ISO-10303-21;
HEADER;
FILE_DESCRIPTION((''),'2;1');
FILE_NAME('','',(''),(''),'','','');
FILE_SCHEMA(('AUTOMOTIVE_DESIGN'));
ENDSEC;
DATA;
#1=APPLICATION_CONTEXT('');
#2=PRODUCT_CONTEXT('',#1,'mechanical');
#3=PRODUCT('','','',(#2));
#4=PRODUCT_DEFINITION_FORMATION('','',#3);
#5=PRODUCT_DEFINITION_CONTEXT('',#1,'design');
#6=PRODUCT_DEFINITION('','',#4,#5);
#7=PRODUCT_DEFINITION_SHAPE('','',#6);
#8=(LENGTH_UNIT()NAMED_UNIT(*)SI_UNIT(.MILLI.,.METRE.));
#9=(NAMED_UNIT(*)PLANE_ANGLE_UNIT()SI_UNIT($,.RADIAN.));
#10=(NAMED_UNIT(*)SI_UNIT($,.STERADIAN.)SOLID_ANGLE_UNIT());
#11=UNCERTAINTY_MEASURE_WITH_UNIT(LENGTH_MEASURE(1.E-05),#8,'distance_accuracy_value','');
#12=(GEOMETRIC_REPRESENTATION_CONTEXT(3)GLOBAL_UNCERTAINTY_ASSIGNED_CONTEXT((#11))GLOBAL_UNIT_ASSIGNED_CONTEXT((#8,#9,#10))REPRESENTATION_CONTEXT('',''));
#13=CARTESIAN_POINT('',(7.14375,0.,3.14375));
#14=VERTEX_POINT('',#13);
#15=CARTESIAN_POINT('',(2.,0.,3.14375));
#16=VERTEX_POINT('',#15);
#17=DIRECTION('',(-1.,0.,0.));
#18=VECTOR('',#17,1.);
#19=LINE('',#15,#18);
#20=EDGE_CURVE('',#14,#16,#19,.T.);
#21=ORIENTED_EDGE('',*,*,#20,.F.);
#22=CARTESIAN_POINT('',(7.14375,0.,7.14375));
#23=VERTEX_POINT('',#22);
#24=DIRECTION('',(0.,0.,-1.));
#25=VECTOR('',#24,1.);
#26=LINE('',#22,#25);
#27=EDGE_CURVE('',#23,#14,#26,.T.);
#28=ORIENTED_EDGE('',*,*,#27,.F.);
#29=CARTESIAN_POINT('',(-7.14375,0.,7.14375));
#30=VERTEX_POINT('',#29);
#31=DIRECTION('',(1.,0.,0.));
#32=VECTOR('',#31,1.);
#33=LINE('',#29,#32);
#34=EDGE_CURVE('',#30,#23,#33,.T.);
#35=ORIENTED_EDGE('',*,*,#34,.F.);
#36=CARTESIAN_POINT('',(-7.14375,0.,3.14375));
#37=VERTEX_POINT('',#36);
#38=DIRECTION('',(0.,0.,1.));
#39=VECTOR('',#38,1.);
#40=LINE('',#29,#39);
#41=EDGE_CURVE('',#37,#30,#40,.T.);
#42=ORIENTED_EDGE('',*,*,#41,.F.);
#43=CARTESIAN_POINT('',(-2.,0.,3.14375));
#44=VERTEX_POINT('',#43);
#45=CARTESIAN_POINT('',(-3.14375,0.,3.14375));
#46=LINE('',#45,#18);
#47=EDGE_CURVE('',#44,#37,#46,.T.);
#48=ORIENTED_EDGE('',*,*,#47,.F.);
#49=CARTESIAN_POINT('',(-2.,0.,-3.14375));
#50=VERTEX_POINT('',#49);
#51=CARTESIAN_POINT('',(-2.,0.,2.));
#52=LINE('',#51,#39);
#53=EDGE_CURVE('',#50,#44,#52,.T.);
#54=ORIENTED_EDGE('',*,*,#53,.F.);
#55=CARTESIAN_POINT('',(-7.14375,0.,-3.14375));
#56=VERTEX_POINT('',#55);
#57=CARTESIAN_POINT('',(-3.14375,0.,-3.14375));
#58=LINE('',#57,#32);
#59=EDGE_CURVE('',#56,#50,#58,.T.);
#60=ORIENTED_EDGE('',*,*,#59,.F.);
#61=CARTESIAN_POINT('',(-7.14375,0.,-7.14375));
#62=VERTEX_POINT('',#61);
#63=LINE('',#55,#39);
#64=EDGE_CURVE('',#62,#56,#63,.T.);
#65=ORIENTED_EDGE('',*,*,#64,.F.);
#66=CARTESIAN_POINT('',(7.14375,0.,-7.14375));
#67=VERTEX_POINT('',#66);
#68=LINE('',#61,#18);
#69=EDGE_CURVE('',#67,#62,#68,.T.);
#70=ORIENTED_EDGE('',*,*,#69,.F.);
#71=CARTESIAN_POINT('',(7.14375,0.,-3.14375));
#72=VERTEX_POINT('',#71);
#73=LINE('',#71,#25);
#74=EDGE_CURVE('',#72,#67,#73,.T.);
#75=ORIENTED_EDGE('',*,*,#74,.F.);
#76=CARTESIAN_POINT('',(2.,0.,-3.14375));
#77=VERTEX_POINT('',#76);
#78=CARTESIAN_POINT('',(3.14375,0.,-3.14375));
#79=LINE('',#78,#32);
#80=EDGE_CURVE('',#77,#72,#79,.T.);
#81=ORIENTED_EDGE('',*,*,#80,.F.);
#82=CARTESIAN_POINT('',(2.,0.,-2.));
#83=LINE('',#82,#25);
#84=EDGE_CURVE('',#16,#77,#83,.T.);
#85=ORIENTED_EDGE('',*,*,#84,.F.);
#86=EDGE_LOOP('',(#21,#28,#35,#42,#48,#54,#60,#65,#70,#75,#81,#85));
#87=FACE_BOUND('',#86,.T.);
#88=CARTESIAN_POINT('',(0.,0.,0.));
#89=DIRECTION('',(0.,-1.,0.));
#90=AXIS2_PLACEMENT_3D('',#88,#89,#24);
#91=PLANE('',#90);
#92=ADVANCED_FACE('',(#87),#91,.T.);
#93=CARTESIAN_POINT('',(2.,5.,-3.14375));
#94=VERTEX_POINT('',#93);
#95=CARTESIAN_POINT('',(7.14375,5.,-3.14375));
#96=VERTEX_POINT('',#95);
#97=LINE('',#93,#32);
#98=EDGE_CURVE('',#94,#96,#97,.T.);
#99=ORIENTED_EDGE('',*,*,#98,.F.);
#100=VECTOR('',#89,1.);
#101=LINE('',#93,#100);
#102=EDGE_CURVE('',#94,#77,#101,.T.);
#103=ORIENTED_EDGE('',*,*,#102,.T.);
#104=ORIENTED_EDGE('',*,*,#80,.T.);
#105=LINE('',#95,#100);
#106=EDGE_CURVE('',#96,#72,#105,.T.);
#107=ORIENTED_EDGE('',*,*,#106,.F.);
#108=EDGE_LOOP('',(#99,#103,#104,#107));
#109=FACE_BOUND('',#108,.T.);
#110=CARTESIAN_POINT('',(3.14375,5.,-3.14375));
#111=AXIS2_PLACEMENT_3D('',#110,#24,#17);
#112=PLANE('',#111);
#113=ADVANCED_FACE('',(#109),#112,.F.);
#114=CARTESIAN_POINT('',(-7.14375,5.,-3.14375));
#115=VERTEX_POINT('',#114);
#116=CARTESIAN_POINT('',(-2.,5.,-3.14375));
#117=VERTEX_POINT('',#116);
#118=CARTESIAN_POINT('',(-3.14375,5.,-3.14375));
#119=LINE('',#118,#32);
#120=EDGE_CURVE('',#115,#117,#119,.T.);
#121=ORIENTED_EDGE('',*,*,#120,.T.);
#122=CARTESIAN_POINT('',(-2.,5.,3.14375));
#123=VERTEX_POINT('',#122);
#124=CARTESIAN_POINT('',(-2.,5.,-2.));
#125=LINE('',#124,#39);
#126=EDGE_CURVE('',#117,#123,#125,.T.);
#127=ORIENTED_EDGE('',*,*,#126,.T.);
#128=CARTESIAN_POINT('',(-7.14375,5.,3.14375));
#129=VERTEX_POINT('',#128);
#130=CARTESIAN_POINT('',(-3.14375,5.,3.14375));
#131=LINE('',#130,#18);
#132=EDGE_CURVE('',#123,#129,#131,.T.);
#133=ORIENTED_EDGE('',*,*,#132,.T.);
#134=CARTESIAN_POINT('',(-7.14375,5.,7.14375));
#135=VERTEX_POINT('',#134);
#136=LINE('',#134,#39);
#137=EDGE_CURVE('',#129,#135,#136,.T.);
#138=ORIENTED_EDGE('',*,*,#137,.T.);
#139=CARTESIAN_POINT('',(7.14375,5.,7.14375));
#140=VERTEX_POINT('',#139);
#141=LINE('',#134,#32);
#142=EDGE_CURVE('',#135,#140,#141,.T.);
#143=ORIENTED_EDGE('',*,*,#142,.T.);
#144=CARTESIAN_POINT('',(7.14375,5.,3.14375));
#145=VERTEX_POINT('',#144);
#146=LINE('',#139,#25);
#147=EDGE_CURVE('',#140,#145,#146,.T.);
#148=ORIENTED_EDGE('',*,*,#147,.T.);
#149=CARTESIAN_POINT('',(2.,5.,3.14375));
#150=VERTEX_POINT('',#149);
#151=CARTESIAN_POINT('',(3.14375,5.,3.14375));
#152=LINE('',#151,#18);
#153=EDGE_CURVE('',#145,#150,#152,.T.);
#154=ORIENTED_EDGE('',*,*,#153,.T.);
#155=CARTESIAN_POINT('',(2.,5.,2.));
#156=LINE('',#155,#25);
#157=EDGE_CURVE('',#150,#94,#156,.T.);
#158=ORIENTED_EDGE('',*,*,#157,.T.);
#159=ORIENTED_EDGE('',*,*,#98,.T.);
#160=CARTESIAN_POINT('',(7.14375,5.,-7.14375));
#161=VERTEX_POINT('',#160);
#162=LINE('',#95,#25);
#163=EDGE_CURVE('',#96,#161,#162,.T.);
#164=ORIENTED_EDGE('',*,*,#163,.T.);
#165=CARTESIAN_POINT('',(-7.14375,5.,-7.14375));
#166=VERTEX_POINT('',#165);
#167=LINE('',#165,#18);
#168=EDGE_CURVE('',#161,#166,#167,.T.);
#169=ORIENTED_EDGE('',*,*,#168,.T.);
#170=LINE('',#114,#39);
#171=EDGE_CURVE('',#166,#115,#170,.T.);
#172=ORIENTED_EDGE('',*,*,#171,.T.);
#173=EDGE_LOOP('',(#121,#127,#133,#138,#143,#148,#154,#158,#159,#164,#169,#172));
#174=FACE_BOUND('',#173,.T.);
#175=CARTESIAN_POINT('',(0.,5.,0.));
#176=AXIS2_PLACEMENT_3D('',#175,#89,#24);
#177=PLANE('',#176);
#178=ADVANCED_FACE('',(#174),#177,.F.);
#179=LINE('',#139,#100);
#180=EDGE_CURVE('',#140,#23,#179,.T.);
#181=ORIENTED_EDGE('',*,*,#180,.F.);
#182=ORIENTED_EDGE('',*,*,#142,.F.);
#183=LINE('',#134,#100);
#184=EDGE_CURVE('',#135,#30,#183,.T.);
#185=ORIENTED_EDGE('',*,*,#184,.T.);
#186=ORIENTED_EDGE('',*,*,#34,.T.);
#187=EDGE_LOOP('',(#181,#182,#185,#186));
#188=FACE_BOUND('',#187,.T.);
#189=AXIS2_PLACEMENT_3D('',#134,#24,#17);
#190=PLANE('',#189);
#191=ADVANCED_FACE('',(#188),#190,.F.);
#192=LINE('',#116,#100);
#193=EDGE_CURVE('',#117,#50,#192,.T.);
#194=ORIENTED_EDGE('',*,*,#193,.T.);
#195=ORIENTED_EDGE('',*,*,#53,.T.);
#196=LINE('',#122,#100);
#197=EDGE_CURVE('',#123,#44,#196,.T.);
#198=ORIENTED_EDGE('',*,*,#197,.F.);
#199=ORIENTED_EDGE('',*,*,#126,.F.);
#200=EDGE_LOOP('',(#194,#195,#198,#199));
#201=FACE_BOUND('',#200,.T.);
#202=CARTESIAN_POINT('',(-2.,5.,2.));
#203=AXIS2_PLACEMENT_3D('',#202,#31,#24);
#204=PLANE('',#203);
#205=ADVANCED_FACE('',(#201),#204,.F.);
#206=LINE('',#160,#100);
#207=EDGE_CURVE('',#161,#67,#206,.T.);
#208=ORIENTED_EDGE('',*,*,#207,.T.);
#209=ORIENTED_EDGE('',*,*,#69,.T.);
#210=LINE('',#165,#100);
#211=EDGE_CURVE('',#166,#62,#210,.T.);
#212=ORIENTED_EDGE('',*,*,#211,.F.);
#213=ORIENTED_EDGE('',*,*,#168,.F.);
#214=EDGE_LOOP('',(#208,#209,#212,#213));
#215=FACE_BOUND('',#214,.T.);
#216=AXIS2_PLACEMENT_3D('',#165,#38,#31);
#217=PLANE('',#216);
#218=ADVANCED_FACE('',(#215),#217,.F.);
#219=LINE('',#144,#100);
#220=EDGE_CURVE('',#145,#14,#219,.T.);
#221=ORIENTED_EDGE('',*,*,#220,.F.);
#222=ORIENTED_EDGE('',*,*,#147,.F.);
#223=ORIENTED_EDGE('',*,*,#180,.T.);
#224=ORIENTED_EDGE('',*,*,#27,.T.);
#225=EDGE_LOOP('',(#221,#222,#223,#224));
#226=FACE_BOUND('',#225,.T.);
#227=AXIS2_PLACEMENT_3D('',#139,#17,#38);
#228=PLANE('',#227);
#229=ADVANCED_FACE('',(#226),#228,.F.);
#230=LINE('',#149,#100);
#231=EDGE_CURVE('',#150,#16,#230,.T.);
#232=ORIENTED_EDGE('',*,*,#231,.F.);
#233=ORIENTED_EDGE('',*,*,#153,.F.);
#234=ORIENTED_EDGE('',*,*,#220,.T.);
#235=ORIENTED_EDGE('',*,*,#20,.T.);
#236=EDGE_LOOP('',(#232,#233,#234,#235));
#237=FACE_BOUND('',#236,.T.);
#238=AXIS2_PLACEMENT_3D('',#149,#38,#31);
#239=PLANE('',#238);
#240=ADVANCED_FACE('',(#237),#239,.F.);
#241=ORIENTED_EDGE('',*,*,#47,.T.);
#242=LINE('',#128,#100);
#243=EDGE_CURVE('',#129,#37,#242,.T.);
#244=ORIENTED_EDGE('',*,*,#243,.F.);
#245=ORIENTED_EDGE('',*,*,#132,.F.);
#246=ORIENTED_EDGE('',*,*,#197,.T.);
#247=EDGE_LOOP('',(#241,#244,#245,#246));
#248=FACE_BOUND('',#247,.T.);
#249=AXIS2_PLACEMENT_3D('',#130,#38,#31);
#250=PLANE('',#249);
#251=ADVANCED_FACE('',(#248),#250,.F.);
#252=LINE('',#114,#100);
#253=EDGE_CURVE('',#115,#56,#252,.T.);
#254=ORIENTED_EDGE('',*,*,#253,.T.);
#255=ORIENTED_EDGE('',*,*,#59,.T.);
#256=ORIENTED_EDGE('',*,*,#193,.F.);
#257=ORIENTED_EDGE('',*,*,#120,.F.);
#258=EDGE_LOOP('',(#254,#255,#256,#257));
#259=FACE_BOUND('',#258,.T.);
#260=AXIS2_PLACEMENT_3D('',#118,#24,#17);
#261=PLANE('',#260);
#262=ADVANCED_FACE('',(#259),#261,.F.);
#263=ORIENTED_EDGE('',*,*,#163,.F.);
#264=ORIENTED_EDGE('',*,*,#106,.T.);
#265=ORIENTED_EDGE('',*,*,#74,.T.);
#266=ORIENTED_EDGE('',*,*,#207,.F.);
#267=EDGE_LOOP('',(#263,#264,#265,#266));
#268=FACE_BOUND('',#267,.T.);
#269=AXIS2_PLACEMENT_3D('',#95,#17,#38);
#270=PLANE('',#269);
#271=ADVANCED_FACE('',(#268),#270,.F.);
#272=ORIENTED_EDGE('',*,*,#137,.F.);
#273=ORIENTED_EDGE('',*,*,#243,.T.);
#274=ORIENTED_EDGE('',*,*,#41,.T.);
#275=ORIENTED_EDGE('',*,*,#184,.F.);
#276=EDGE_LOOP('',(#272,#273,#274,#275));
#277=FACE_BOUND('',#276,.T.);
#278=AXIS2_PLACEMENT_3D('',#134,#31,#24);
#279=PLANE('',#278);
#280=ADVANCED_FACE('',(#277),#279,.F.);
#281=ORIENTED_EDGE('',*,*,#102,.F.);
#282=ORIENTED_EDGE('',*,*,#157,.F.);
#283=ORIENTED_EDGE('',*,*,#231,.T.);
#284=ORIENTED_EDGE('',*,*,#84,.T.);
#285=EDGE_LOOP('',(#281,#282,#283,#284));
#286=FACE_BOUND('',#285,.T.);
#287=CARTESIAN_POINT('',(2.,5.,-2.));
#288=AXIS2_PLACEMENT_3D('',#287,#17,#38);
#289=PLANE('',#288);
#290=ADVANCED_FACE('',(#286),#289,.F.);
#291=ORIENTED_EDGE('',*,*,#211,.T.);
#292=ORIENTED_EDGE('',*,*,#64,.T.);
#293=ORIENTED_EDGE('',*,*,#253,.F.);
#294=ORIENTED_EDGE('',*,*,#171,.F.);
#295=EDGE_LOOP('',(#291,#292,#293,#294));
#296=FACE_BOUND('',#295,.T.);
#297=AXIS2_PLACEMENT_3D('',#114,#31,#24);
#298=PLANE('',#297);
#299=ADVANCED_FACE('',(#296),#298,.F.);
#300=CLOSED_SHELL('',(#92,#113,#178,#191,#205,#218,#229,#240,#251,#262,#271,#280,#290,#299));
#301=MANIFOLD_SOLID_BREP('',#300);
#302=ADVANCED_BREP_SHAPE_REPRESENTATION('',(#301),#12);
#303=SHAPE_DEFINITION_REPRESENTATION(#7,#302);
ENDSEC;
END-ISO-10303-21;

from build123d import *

# Parameters (mm, degrees)
BOSS_EXTRUDE1_DEPTH = 5


with BuildPart() as part:
    # Sketch2 → Boss-Extrude1 (new body)
    with BuildSketch(Plane(origin=(0, 0, 0), x_dir=(1, 0, 0), z_dir=(0, 1, 0))):
        Polygon((-3.14375, 3.14375), (-7.14375, 3.14375), (-7.14375, 7.14375), (7.14375, 7.14375), (7.14375, 3.14375), (3.14375, 3.14375), (2, 3.14375), (2, 2), (2, -2), (2, -3.14375), (3.14375, -3.14375), (7.14375, -3.14375), (7.14375, -7.14375), (-7.14375, -7.14375), (-7.14375, -3.14375), (-3.14375, -3.14375), (-2, -3.14375), (-2, -2), (-2, 2), (-2, 3.14375), align=None)
    extrude(amount=BOSS_EXTRUDE1_DEPTH)


solid = part.part
